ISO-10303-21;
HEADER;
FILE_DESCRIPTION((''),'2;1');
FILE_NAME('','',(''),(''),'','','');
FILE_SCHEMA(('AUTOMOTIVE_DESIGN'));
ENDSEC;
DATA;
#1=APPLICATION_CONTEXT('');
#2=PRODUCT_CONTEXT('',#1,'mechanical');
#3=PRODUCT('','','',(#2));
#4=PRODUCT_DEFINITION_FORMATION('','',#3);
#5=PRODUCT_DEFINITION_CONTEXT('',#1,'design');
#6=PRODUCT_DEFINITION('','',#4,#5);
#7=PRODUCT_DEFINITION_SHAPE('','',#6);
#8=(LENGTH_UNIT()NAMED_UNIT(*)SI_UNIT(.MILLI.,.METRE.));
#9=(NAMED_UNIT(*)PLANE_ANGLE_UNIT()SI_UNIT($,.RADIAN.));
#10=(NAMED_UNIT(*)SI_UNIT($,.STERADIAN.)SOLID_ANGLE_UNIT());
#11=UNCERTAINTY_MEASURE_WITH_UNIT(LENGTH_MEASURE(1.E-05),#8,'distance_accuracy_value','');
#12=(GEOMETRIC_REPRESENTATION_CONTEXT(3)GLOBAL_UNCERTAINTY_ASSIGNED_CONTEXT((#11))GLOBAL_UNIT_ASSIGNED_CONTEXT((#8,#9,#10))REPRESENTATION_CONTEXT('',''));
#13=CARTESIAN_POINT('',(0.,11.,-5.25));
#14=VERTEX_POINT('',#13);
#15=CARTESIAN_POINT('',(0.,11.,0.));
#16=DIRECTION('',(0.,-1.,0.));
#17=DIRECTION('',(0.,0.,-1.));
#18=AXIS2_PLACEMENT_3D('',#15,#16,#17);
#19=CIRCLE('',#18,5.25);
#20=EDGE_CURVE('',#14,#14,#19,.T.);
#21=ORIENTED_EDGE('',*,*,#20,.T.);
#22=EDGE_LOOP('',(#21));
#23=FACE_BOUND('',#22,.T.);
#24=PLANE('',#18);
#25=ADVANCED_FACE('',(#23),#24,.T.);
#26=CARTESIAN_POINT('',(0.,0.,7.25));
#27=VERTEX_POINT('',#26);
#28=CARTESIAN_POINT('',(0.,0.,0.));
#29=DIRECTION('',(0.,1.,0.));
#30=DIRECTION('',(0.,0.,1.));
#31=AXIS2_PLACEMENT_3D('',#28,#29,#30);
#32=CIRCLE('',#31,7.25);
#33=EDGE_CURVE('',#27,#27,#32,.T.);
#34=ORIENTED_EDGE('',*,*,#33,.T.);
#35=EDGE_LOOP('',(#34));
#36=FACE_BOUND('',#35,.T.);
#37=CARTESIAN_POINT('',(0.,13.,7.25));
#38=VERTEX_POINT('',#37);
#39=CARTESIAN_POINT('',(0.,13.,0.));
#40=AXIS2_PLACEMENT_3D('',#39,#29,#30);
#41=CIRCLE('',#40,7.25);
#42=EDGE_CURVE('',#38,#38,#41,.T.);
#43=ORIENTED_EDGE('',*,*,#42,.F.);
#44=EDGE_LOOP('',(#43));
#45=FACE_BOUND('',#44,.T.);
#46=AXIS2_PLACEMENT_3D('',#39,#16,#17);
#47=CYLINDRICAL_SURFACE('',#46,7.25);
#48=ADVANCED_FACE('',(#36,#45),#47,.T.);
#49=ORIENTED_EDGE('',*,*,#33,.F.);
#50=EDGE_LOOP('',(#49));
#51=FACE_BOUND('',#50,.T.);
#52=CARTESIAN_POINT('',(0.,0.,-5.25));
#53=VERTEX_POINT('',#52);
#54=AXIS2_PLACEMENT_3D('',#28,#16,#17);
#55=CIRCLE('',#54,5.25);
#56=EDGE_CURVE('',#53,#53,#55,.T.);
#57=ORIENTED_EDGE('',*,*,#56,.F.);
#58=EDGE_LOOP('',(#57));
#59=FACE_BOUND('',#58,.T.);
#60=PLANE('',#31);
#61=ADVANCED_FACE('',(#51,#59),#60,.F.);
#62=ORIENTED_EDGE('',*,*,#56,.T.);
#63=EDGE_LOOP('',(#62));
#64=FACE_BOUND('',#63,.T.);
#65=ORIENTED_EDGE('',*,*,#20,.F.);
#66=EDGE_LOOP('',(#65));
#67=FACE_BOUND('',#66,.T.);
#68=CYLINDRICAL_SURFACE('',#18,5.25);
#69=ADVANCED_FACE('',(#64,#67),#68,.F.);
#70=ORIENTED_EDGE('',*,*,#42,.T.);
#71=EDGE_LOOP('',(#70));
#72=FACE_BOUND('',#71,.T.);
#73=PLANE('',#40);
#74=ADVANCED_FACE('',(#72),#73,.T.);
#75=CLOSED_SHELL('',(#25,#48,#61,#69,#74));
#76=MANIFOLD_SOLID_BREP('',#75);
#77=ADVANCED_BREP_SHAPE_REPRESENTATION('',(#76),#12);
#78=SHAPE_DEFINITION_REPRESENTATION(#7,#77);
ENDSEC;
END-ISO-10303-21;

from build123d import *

# Parameters (mm, degrees)
SKETCH1_R           = 7.25
BOSS_EXTRUDE1_DEPTH = 13
SKETCH2_R           = 5.25
CUT_EXTRUDE1_DEPTH  = 11


with BuildPart() as part:
    # Sketch1 → Boss-Extrude1 (new body)
    with BuildSketch(Plane(origin=(0, 0, 0), x_dir=(1, 0, 0), z_dir=(0, 1, 0))):
        Circle(SKETCH1_R)
    extrude(amount=BOSS_EXTRUDE1_DEPTH)

    # Sketch2 → Cut-Extrude1 (cut)
    with BuildSketch(Plane(origin=(0, 0, 0), x_dir=(-1, 0, 0), z_dir=(0, -1, 0))):
        Circle(SKETCH2_R)
    extrude(amount=-CUT_EXTRUDE1_DEPTH, mode=Mode.SUBTRACT)


solid = part.part
